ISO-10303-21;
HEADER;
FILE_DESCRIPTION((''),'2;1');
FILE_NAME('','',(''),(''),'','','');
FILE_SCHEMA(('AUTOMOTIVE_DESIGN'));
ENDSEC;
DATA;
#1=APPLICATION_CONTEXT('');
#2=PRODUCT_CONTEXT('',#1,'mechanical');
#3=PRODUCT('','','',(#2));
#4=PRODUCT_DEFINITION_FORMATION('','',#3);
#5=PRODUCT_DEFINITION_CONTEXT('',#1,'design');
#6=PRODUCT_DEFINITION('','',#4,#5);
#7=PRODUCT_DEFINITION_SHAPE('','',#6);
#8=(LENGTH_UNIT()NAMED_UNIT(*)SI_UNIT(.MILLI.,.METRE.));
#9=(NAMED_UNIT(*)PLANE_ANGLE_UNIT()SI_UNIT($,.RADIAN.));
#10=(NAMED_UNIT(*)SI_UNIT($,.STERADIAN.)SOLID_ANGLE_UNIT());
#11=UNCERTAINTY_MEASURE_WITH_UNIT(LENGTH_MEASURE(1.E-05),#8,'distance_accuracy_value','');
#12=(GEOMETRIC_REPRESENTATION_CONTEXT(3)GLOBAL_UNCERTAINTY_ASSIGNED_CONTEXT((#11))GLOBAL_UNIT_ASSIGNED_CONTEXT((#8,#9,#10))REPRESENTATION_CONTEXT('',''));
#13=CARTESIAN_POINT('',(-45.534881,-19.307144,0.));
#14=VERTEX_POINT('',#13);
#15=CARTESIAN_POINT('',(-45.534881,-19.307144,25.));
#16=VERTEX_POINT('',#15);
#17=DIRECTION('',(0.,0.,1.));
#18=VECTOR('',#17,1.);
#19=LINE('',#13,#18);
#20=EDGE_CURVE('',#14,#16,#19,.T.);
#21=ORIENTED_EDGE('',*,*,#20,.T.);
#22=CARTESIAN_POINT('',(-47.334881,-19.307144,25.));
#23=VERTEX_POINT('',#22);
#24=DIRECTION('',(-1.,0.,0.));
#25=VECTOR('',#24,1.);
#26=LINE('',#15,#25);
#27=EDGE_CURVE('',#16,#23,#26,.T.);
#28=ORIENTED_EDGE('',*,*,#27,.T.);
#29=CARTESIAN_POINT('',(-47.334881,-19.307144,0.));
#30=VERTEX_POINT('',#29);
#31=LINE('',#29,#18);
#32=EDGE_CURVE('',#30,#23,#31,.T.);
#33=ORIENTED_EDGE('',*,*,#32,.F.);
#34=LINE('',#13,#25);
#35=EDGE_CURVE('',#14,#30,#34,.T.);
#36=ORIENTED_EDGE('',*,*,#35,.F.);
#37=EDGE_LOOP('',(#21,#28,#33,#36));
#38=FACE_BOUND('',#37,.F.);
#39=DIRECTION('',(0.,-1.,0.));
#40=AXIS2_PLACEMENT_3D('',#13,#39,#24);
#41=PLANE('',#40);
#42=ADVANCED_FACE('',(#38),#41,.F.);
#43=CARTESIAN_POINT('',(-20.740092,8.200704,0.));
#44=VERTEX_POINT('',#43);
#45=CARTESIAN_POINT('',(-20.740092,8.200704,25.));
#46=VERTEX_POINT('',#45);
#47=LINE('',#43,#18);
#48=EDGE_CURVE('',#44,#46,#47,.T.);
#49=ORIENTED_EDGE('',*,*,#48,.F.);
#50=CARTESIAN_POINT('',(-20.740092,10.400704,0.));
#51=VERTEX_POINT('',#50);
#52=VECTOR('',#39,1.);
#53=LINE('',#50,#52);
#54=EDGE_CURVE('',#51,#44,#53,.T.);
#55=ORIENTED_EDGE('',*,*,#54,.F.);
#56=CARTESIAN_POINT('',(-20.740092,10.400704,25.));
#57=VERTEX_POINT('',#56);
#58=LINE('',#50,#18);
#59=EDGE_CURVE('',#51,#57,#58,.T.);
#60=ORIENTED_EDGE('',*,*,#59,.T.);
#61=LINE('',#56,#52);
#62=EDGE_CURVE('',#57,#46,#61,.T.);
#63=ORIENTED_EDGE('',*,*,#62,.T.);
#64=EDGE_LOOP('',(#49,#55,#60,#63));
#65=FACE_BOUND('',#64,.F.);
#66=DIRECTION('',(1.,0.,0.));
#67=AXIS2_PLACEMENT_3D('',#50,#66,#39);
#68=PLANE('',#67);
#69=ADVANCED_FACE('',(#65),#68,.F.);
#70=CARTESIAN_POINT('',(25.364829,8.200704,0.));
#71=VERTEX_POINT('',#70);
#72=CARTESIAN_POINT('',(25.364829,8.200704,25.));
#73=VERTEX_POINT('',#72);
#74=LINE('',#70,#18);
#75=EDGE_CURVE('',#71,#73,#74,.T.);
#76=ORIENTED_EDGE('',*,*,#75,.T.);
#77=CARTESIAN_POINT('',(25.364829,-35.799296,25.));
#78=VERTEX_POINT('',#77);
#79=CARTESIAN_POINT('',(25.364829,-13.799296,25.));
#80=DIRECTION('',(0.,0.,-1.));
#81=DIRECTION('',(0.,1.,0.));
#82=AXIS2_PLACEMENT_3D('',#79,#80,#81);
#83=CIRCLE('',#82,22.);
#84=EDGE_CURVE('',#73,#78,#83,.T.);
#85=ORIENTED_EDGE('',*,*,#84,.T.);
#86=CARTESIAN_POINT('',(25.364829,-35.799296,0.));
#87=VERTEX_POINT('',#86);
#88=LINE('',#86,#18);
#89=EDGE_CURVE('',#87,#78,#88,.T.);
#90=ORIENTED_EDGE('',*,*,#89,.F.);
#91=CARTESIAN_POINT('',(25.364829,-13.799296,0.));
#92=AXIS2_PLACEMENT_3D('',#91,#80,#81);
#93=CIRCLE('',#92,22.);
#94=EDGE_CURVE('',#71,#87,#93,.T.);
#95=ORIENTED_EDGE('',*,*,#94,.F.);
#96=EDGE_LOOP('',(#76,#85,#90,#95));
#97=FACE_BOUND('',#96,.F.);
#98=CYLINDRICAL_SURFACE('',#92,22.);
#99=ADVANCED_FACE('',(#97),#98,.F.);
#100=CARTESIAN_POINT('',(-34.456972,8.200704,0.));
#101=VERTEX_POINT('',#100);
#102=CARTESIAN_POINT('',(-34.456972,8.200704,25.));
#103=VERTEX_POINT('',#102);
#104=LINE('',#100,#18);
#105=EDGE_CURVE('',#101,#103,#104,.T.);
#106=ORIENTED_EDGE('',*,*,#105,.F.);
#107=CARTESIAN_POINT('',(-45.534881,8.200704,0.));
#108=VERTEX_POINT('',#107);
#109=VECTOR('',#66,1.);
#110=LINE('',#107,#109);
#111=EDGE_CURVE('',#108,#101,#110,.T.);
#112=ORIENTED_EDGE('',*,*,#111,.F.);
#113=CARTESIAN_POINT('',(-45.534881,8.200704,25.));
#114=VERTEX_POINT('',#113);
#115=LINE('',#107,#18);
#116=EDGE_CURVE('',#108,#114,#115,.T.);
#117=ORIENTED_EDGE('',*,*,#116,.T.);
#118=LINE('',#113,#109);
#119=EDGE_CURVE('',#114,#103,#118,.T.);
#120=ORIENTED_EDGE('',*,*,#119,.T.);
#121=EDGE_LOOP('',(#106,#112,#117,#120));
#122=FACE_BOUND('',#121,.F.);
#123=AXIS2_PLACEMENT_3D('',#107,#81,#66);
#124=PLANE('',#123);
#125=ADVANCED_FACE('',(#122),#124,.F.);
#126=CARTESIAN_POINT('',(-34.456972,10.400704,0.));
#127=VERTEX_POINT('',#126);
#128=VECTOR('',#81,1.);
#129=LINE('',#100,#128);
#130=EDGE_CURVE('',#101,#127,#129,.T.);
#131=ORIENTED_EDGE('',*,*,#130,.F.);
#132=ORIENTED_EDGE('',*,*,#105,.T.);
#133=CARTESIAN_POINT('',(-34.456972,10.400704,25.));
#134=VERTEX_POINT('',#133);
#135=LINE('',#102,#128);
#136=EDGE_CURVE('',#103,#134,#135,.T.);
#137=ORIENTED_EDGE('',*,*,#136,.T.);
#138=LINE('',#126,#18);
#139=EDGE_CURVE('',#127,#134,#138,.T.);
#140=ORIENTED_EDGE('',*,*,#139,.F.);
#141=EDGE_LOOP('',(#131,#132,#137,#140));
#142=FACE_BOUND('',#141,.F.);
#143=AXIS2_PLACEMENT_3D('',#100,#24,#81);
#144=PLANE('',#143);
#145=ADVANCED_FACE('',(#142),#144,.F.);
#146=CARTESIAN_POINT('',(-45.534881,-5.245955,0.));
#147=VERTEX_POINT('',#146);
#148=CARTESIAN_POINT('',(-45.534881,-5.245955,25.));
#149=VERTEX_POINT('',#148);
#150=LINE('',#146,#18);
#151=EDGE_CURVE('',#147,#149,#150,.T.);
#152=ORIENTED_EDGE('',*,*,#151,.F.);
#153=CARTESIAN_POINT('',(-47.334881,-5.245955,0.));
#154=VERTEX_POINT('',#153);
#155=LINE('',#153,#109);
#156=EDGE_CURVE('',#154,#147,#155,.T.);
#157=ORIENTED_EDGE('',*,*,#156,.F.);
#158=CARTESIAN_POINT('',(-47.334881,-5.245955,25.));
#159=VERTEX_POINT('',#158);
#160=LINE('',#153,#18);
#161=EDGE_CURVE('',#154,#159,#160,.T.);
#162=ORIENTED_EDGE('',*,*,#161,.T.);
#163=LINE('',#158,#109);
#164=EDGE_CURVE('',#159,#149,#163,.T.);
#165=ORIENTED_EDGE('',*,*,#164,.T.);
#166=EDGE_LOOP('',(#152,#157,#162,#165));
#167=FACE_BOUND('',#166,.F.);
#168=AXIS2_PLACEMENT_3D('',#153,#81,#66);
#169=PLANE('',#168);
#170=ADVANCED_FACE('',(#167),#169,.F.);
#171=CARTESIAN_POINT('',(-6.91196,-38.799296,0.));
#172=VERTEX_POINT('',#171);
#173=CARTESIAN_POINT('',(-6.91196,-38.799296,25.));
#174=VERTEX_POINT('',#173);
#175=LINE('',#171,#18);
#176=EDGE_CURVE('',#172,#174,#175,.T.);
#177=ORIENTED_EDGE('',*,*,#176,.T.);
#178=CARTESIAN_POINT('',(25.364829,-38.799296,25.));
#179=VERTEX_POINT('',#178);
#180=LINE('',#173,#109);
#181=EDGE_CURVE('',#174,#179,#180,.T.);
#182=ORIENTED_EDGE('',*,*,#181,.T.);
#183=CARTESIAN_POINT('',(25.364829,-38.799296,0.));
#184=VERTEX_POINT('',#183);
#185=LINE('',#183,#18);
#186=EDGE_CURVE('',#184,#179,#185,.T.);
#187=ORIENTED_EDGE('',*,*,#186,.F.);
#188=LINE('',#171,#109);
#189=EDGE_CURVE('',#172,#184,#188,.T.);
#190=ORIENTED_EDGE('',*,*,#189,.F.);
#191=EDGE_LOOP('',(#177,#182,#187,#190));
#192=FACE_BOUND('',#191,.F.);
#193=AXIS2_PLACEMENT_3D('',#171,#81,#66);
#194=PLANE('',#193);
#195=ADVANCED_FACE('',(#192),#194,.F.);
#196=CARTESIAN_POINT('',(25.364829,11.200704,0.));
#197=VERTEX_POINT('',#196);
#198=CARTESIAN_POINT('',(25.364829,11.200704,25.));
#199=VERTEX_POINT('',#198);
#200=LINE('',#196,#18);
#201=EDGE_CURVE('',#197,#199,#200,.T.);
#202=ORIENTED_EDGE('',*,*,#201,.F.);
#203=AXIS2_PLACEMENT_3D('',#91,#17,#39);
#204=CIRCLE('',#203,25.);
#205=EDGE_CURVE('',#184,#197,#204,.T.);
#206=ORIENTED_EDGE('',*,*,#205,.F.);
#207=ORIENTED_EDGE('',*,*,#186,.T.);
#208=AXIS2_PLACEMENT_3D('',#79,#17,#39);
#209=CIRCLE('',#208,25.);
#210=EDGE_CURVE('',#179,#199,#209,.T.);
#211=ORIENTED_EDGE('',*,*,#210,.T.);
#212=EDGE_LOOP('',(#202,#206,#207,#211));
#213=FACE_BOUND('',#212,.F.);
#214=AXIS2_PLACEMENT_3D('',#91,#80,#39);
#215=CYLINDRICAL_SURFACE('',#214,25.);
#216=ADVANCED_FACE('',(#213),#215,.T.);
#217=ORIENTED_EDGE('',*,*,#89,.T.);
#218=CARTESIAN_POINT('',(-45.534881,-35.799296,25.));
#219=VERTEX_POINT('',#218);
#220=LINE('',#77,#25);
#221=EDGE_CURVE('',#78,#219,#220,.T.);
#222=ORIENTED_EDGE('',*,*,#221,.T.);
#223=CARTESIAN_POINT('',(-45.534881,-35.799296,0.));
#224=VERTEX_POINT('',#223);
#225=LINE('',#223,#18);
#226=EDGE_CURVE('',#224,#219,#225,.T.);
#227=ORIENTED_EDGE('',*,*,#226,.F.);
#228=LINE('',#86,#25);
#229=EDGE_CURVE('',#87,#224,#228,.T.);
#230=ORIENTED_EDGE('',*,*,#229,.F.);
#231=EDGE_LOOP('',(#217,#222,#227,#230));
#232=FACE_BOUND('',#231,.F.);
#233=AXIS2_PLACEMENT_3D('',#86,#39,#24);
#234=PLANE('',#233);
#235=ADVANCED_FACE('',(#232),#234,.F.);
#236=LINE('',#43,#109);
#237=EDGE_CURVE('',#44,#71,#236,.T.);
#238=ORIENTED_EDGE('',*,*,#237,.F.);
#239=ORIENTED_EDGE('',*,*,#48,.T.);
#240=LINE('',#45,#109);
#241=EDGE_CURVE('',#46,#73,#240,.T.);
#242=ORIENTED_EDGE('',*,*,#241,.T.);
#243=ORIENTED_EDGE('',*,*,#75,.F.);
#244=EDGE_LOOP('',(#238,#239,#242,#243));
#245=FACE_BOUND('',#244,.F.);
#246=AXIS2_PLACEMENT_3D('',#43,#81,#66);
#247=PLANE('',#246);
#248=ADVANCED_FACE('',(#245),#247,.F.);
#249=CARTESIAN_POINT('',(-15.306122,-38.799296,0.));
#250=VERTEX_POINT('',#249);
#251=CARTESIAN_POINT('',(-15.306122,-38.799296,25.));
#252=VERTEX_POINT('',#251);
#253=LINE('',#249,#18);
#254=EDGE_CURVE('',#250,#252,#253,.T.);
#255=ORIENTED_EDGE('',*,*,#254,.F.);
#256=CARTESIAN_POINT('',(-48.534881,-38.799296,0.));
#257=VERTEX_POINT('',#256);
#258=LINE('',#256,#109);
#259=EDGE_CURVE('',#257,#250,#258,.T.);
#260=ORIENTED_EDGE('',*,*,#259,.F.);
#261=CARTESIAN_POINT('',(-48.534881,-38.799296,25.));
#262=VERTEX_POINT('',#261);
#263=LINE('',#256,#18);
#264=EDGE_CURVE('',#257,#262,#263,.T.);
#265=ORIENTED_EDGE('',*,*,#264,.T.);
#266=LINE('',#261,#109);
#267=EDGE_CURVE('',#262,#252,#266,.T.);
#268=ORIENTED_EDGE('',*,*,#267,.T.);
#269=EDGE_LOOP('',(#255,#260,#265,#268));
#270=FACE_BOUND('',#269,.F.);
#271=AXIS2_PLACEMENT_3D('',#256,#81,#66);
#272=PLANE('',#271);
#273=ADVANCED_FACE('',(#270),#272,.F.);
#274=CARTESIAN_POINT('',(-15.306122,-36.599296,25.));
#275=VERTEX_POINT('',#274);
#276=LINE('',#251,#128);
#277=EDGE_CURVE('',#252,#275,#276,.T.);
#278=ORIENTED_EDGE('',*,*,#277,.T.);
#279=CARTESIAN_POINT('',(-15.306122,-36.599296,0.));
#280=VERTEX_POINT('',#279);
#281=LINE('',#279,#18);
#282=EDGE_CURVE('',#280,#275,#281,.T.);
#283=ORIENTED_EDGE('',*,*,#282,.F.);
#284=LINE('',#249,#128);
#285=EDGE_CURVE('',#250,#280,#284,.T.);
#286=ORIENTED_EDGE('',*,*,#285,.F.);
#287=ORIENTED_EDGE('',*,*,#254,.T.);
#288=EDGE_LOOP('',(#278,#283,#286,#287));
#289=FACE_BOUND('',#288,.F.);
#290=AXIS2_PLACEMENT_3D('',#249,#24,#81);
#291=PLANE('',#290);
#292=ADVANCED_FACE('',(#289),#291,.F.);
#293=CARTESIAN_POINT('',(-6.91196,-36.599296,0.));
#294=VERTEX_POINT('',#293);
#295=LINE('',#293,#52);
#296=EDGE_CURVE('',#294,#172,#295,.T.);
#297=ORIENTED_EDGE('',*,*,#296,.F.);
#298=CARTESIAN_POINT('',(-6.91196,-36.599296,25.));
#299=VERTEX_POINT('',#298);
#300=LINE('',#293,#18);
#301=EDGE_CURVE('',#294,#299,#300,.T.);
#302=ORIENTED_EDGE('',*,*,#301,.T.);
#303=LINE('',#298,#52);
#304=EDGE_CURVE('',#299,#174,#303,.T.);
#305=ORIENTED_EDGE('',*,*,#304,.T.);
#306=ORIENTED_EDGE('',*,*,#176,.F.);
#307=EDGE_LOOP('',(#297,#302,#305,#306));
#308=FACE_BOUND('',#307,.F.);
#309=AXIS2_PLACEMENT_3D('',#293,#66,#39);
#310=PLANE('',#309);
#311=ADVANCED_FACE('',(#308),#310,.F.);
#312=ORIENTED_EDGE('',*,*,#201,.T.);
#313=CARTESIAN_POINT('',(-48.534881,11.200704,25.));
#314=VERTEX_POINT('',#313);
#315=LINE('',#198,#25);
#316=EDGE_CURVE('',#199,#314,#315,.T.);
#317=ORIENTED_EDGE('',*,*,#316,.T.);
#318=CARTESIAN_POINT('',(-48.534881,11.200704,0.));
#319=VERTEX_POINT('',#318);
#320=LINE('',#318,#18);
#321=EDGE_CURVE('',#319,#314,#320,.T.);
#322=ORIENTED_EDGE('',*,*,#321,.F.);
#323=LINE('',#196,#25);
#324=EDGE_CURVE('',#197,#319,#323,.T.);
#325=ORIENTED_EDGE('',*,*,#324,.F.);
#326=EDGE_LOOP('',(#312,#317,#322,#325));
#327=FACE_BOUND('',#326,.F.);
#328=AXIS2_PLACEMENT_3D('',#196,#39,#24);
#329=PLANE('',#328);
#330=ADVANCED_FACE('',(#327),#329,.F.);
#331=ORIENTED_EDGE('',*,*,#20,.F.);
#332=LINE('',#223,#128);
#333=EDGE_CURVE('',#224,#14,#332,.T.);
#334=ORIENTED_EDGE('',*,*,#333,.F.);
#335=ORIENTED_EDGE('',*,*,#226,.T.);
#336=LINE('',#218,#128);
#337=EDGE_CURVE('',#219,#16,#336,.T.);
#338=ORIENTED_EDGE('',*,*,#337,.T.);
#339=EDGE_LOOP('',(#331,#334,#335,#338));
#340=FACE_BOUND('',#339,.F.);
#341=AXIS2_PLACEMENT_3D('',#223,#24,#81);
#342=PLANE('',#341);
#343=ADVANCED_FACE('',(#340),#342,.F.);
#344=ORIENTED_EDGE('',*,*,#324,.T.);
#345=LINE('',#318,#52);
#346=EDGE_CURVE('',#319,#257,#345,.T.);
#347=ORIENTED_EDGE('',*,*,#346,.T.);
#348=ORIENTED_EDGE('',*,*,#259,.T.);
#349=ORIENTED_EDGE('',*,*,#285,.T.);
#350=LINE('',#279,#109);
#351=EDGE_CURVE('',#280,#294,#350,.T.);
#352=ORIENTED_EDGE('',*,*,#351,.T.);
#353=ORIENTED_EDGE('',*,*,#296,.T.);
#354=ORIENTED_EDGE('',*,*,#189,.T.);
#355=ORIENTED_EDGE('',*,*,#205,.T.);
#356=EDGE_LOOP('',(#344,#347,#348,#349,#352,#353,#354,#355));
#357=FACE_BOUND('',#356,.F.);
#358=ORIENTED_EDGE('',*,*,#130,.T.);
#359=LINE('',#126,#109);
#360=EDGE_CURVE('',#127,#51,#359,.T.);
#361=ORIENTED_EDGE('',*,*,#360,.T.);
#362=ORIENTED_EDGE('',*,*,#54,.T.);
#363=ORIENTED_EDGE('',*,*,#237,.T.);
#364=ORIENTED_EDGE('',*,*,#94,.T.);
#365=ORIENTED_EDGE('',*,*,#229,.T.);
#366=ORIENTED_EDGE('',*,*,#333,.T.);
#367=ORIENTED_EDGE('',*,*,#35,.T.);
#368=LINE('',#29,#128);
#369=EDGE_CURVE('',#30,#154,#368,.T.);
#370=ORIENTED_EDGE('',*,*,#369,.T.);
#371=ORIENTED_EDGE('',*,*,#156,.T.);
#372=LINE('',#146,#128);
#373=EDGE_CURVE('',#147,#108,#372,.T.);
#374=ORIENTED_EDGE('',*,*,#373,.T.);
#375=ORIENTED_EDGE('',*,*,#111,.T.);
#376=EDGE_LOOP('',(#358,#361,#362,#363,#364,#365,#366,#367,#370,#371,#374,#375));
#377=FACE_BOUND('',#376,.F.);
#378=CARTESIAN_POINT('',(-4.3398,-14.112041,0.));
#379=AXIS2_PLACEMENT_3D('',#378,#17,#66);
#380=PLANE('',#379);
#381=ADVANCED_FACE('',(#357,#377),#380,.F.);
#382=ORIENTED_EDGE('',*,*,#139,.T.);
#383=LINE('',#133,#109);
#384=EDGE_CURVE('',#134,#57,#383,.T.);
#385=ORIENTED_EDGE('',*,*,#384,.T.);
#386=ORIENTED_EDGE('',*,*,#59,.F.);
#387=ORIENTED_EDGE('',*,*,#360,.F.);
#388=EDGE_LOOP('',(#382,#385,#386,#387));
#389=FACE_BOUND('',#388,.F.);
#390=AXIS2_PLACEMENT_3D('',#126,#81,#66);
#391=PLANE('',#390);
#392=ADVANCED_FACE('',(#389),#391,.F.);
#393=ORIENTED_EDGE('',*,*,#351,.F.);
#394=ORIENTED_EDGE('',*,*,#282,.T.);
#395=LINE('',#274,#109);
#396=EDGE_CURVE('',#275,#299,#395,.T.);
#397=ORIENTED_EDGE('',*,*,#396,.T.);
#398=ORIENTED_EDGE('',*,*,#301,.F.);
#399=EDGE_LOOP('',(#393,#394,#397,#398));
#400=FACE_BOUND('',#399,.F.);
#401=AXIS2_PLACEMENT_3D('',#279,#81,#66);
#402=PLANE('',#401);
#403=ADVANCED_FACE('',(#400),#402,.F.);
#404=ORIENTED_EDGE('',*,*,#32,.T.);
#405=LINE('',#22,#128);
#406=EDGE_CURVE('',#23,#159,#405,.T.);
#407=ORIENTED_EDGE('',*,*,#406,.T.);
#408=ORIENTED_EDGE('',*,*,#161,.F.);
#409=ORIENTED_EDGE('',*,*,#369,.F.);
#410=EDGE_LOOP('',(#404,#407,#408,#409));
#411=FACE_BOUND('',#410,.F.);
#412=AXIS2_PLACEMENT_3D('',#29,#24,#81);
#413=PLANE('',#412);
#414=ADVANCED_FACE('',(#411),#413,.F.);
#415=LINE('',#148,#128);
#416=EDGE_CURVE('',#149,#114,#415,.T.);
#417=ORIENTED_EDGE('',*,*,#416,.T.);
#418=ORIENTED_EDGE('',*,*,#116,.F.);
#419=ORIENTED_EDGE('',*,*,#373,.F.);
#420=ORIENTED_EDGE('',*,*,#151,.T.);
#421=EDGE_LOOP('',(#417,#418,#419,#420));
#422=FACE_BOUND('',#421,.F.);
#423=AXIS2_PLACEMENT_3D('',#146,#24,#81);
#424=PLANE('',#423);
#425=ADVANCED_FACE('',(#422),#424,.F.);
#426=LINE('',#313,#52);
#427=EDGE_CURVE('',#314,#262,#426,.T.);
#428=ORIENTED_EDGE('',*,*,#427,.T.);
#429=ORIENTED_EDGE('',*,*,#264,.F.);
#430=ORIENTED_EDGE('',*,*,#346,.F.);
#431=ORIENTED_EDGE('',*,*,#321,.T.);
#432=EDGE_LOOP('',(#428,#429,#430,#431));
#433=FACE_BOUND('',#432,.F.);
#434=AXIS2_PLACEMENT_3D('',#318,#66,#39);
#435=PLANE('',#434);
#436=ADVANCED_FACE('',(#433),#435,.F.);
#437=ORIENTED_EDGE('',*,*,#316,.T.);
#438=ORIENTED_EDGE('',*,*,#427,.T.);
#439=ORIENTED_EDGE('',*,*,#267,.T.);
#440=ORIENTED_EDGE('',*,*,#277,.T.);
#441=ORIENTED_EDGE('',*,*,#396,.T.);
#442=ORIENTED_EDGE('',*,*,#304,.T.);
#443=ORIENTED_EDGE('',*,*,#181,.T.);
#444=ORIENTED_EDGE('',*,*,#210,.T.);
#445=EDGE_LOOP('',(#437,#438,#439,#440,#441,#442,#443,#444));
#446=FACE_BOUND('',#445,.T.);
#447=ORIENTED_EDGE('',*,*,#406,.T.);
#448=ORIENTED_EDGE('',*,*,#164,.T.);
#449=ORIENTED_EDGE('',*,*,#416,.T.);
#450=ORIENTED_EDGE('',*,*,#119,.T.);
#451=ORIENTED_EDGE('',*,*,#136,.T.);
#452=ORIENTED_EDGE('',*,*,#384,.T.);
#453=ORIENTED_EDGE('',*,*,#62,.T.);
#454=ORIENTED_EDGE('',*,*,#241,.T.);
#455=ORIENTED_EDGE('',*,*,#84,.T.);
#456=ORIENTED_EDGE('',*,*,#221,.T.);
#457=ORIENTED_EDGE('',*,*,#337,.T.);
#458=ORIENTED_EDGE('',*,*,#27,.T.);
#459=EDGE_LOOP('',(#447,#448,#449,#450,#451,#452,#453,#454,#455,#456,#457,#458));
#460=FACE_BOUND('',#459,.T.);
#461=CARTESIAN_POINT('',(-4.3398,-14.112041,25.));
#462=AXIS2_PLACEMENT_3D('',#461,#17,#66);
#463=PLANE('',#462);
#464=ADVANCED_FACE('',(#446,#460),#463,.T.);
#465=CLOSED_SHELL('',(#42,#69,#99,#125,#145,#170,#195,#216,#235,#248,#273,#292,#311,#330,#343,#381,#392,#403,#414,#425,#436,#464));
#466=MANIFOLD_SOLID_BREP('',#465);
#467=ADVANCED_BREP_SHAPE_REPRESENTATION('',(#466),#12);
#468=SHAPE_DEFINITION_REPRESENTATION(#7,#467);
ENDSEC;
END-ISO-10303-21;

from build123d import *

# Parameters (mm, degrees)
F1_DEPTH = 25


with BuildPart() as f1:
    # F0 (on Top) → F1 (new body)
    with BuildSketch(Plane.XY):
        with BuildLine():
            Line((-30.05274, 11.200704), (-48.534881, 11.200704))
            Line((-48.534881, 11.200704), (-48.534881, -38.799296))
            Line((-48.534881, -38.799296), (-15.306122, -38.799296))
            Line((-15.306122, -38.799296), (-15.306122, -36.599296))
            Line((-15.306122, -36.599296), (-6.91196, -36.599296))
            Line((-6.91196, -36.599296), (-6.91196, -38.799296))
            Line((-6.91196, -38.799296), (25.364829, -38.799296))
            ThreePointArc((25.364829, -38.799296), (50.364829, -13.799296), (25.364829, 11.200704))
            Line((25.364829, 11.200704), (-19.365611, 11.200704))
            Line((-19.365611, 11.200704), (-30.05274, 11.200704))
        make_face()
        with BuildLine():
            Line((-45.534881, -5.245955), (-45.534881, 8.200704))
            Line((-45.534881, 8.200704), (-34.456972, 8.200704))
            Line((-34.456972, 8.200704), (-34.456972, 10.400704))
            Line((-34.456972, 10.400704), (-20.740092, 10.400704))
            Line((-20.740092, 10.400704), (-20.740092, 8.200704))
            Line((-20.740092, 8.200704), (25.364829, 8.200704))
            ThreePointArc((25.364829, 8.200704), (47.364829, -13.799296), (25.364829, -35.799296))
            Line((25.364829, -35.799296), (-45.534881, -35.799296))
            Line((-45.534881, -35.799296), (-45.534881, -19.307144))
            Line((-45.534881, -19.307144), (-47.334881, -19.307144))
            Line((-47.334881, -19.307144), (-47.334881, -5.245955))
            Line((-47.334881, -5.245955), (-45.534881, -5.245955))
        make_face(mode=Mode.SUBTRACT)
    extrude(amount=F1_DEPTH)


solid = f1.part
